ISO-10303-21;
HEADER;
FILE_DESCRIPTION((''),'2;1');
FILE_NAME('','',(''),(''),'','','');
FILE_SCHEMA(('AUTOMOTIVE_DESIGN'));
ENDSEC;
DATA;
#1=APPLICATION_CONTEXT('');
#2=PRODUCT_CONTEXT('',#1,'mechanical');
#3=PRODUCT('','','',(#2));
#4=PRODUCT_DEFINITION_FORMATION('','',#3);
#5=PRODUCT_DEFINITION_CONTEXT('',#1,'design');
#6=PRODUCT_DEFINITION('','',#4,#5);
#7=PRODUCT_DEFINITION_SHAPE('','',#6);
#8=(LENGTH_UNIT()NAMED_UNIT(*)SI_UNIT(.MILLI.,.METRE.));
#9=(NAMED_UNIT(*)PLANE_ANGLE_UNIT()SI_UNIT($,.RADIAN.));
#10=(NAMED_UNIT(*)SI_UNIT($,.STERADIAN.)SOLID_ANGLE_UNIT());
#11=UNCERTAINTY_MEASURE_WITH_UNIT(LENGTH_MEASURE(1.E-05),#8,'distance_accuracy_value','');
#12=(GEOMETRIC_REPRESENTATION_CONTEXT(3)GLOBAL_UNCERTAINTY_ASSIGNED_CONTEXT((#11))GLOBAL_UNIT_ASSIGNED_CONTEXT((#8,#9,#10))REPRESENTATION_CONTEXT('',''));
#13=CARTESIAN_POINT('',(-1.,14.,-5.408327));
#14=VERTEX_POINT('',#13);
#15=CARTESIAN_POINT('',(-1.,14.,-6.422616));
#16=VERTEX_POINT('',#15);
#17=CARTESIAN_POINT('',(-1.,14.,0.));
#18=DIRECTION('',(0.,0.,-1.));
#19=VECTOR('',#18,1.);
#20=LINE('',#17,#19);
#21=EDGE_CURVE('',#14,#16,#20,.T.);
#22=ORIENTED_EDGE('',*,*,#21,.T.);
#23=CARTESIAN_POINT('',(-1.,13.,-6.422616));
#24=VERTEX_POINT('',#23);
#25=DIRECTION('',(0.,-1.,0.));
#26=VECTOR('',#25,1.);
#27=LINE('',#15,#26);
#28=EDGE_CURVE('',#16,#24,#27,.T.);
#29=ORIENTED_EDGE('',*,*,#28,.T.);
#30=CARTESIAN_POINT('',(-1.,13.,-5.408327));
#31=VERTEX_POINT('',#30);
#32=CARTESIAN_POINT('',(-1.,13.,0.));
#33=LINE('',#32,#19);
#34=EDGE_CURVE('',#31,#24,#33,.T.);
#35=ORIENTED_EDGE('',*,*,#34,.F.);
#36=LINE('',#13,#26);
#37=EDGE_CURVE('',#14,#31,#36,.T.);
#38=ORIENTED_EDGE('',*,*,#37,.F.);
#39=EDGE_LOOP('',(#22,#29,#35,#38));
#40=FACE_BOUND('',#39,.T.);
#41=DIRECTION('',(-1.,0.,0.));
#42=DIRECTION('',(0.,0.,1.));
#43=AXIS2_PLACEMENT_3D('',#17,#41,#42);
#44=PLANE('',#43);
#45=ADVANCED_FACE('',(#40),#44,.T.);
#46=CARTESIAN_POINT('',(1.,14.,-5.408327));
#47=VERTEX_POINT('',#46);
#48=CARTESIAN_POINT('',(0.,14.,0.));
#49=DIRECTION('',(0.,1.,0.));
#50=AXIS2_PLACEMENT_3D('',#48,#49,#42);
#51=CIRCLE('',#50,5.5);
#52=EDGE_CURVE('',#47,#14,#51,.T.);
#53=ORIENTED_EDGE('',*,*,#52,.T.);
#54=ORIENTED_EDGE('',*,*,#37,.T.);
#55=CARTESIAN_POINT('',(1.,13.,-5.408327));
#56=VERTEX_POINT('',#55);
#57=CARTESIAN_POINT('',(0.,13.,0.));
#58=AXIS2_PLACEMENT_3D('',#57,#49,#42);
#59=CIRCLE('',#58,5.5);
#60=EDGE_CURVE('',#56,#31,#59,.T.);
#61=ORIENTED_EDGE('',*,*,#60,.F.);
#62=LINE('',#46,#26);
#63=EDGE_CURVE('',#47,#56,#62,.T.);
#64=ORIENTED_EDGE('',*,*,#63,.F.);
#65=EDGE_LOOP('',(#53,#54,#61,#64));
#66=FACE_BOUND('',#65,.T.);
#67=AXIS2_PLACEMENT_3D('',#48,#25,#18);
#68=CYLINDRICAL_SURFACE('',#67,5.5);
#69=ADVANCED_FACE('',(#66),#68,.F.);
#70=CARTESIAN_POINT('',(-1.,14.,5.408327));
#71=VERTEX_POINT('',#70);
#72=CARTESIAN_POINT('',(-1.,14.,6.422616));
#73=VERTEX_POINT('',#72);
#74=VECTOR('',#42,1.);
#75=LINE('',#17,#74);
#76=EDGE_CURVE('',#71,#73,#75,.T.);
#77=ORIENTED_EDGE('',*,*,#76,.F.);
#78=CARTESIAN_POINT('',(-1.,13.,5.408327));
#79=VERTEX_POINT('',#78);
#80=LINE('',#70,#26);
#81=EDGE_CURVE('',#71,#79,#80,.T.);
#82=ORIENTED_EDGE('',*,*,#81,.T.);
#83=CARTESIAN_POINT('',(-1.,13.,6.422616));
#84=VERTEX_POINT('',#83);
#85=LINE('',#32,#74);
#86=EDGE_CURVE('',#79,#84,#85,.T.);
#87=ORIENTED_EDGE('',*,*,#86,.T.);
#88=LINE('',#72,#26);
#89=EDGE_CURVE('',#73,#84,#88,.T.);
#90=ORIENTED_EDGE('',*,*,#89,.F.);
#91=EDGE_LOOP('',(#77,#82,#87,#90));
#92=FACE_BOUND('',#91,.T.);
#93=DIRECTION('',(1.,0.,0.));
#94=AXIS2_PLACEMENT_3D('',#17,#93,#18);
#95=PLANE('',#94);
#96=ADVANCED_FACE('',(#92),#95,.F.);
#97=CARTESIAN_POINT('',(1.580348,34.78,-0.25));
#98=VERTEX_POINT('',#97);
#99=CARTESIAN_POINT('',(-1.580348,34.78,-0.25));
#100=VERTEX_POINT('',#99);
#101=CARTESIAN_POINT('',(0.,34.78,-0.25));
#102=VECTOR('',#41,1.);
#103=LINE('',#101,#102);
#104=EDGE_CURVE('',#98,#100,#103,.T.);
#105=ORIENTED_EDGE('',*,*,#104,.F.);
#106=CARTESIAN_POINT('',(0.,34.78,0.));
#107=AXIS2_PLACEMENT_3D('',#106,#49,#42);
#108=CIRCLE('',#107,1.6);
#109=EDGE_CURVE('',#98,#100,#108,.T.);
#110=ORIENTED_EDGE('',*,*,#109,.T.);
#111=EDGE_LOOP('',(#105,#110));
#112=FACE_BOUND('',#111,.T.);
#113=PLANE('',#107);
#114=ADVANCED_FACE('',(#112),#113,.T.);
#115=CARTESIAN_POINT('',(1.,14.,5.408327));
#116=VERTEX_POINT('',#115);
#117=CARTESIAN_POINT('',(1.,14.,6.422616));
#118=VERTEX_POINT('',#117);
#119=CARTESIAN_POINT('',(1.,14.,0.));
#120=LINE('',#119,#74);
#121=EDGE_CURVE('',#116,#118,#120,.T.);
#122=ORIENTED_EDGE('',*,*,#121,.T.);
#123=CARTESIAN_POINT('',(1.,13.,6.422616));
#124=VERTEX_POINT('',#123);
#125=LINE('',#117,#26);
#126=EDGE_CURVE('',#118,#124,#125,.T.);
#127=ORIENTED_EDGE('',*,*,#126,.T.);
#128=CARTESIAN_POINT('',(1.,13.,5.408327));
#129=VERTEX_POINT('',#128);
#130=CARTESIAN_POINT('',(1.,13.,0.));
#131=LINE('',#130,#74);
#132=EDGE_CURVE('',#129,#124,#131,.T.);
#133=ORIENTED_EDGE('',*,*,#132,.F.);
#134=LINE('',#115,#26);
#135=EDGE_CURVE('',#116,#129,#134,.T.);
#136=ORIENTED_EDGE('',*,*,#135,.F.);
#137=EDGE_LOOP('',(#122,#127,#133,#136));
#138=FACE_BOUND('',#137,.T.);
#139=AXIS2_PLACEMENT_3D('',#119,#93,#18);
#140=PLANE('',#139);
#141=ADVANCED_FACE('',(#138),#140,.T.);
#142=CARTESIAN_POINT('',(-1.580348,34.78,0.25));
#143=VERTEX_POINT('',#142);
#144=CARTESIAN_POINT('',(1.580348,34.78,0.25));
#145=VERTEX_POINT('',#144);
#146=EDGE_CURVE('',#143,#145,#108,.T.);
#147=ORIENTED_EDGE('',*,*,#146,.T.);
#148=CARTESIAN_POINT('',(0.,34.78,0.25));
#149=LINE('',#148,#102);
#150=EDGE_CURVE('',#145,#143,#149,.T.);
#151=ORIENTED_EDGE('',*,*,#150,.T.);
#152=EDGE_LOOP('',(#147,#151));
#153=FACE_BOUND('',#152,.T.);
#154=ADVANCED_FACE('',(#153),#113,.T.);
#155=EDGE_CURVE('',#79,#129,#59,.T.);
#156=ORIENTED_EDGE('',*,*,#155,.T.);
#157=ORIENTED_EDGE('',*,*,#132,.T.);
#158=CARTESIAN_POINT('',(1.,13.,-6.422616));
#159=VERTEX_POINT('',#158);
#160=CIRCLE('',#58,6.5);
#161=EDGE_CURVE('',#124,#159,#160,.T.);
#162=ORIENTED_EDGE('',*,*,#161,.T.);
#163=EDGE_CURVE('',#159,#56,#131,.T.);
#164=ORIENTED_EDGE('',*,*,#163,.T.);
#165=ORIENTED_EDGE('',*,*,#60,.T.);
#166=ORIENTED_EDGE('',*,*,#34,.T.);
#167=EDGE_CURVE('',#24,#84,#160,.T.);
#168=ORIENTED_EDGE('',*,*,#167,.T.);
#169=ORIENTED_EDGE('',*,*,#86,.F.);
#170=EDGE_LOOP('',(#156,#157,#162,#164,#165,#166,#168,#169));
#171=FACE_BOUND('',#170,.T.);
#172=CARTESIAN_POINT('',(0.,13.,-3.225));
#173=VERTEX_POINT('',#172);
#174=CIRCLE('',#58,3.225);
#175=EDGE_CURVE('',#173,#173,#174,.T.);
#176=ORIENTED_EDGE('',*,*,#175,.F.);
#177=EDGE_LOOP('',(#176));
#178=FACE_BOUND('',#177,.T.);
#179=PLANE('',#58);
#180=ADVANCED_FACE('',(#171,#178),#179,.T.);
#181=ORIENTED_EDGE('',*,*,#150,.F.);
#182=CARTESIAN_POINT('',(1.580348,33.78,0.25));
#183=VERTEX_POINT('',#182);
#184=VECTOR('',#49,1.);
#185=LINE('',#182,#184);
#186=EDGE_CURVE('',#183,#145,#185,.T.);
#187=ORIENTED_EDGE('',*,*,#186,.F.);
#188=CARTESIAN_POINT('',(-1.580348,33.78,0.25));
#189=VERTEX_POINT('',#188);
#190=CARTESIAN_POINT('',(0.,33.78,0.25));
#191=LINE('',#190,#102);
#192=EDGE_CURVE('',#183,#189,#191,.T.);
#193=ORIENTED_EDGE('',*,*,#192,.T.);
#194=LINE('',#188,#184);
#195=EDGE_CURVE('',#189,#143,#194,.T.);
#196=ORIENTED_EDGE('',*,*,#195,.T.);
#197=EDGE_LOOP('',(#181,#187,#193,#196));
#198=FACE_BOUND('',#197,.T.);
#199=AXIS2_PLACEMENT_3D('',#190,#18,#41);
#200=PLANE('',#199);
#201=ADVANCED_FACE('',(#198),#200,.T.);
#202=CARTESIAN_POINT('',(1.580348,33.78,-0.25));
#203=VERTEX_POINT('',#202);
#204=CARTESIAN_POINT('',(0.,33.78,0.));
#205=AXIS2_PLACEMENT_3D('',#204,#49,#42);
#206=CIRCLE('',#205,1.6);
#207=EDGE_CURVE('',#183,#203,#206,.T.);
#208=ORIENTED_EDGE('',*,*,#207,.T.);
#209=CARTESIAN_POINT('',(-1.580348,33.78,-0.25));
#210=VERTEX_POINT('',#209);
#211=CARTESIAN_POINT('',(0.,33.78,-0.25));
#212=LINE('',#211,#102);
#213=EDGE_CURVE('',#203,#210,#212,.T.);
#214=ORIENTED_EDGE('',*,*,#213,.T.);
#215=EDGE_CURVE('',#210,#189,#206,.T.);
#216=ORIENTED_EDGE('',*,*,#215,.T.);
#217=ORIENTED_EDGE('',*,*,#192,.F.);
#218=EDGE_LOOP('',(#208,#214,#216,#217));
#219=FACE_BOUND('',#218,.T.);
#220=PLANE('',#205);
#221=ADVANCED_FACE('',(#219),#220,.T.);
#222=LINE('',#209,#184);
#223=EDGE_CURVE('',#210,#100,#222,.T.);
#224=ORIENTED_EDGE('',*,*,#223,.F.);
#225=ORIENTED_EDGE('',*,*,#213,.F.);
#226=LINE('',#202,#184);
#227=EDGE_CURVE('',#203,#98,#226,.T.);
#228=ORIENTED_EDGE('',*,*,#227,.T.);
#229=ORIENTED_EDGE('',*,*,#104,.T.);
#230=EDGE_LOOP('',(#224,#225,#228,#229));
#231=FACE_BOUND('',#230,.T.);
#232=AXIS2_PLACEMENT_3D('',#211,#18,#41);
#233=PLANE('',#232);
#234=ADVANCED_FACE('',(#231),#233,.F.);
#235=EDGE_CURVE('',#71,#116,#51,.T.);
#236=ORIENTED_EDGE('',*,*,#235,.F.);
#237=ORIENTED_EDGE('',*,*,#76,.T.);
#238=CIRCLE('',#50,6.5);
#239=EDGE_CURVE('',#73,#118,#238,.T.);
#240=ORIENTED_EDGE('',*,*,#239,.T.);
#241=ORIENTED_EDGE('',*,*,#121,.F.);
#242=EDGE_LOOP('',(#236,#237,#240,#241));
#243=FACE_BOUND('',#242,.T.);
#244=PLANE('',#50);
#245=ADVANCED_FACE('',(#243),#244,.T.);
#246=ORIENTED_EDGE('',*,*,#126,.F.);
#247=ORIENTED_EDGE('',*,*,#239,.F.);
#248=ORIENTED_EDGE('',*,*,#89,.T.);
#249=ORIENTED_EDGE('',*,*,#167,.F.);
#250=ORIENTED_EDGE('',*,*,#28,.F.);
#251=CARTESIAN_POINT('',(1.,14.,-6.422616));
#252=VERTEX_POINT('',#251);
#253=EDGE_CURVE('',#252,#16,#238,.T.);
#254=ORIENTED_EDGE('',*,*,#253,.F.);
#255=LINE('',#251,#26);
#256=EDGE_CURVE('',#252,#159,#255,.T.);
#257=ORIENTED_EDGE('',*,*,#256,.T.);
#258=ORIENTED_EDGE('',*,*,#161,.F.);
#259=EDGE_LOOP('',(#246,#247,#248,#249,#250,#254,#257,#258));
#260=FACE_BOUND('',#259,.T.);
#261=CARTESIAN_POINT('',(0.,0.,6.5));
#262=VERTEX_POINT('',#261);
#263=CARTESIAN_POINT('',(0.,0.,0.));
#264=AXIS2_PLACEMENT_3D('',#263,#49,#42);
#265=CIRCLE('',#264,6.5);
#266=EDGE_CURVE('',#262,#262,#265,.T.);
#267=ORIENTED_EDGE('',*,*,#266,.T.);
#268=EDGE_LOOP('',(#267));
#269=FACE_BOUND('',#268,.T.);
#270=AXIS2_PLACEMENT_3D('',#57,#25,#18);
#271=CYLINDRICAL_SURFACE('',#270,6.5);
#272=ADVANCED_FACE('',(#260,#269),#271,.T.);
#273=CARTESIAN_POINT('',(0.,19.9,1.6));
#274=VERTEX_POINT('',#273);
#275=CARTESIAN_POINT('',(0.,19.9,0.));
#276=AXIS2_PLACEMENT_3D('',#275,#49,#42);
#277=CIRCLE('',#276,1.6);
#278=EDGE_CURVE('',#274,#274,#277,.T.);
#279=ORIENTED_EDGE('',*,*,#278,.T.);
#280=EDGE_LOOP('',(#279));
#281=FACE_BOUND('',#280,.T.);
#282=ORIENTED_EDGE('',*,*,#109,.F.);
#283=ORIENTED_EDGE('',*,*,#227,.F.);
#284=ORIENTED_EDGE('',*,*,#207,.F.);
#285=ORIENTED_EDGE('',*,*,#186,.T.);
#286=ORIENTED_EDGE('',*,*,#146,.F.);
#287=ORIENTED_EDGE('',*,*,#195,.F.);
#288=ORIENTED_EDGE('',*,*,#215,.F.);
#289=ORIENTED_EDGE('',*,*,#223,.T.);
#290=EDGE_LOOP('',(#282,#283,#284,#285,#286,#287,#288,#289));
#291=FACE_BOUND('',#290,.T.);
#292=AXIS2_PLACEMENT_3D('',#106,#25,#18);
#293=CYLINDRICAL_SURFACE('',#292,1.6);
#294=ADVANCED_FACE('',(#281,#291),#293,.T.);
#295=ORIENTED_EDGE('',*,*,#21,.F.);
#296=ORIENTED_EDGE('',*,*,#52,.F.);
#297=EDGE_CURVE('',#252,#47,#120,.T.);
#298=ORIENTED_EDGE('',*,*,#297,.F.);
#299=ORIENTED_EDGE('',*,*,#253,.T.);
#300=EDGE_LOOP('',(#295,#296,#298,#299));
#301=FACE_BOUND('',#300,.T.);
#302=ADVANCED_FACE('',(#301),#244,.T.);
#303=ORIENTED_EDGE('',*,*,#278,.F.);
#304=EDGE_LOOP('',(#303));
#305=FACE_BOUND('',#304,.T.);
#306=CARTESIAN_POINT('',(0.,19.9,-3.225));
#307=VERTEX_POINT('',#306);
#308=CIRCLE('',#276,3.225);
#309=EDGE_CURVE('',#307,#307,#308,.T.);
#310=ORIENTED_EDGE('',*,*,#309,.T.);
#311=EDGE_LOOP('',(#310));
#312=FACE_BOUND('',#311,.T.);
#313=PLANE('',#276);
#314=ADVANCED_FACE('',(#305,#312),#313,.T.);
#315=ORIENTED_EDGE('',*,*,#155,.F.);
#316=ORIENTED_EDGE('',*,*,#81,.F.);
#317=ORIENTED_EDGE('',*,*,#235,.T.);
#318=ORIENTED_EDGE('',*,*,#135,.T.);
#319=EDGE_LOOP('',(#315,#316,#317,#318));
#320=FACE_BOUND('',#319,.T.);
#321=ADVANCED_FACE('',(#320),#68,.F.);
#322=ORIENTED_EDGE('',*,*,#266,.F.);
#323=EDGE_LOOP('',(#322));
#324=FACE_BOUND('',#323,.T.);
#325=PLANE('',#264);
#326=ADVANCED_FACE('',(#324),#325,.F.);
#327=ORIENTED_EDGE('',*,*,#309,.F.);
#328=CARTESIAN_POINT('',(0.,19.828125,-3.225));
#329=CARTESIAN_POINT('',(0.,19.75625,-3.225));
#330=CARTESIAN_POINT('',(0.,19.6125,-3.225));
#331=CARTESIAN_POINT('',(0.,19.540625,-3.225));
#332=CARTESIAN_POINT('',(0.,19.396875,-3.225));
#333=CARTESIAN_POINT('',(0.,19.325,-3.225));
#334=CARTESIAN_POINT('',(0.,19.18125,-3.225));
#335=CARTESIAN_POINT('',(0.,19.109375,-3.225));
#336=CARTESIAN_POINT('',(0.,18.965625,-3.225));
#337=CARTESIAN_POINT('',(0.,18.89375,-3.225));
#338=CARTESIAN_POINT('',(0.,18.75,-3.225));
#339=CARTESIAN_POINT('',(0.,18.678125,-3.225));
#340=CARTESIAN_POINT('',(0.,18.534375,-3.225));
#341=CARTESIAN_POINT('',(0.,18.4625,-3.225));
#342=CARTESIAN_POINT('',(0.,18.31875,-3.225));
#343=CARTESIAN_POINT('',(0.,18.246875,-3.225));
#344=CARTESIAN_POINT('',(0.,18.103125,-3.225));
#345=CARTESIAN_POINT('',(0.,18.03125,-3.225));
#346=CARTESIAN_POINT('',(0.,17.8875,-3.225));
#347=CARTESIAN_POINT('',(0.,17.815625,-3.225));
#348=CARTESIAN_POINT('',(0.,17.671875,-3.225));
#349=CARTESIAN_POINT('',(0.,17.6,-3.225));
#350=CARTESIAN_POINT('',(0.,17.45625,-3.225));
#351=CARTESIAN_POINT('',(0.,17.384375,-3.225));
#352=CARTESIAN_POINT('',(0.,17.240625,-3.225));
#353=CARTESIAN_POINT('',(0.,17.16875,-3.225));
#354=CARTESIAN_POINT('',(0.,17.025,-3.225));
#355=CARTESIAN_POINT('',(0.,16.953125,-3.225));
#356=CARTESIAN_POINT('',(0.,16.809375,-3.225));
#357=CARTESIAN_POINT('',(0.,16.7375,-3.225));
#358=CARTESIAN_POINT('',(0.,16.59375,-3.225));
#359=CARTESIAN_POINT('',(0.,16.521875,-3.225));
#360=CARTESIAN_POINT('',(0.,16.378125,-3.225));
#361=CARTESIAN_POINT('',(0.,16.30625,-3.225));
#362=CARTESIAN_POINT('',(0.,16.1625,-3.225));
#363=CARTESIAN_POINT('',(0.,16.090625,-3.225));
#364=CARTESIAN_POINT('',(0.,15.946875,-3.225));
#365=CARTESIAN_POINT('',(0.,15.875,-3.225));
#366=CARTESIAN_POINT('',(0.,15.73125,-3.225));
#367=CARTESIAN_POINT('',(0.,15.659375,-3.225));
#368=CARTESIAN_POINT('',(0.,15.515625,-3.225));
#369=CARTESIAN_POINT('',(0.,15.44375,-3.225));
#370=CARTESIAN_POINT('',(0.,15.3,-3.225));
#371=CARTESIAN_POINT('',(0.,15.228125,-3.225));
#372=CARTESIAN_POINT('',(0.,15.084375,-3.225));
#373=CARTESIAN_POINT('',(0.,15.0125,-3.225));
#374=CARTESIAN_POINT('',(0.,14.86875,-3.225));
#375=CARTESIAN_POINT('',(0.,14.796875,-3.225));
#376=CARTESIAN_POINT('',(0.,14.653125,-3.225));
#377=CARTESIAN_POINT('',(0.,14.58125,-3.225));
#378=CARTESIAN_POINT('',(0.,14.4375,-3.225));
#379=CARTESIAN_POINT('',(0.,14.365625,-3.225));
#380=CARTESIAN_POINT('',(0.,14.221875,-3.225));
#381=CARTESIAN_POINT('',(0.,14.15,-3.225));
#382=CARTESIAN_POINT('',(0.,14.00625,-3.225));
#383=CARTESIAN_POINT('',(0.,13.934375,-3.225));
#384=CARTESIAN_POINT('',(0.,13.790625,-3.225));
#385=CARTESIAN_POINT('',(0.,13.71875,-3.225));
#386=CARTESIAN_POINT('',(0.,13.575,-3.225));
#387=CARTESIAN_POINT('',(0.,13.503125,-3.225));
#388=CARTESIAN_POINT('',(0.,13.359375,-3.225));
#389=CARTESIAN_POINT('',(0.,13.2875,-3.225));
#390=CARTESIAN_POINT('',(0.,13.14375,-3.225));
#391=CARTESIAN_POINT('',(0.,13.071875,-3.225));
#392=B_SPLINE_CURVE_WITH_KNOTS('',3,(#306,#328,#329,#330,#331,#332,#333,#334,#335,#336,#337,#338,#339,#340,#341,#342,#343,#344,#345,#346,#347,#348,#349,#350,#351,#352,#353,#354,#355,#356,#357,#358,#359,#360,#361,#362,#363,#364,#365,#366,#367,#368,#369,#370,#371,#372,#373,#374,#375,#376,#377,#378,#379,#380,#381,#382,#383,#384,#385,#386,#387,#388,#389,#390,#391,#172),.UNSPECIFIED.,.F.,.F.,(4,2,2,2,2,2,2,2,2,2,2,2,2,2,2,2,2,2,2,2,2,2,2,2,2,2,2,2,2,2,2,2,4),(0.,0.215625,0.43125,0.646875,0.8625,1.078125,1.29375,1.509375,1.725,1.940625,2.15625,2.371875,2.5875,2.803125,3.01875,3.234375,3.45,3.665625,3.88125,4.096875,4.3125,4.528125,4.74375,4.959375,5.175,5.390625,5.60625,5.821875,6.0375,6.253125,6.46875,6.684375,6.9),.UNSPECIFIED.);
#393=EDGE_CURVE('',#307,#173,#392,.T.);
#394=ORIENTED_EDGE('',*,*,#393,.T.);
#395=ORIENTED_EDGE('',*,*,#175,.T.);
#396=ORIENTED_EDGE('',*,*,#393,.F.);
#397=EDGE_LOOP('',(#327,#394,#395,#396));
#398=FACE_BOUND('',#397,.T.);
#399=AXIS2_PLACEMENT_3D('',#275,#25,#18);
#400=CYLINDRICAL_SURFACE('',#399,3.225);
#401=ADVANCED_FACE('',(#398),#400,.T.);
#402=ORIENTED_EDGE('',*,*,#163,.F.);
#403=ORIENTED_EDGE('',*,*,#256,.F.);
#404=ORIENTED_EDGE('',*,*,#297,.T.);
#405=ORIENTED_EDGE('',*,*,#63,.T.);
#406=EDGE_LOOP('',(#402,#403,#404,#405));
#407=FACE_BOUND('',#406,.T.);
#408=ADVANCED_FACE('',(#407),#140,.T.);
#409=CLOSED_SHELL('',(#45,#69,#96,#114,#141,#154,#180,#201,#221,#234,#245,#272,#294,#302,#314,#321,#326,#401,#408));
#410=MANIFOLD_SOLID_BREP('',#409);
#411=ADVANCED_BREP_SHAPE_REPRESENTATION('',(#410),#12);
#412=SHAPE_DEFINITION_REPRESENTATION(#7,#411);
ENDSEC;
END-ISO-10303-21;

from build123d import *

# Parameters (mm, degrees)
SKETCH1_R           = 6.5
BOSS_EXTRUDE1_DEPTH = 13
SKETCH2_R           = 3.225
BOSS_EXTRUDE2_DEPTH = 6.9
SKETCH3_R           = 1.6
BOSS_EXTRUDE3_DEPTH = 14.88
BOSS_EXTRUDE4_DEPTH = 1
CUT_EXTRUDE1_START  = -1
CUT_EXTRUDE1_DEPTH  = 1


with BuildPart() as part:
    # Sketch1 → Boss-Extrude1 (new body)
    with BuildSketch(Plane(origin=(0, 0, 0), x_dir=(1, 0, 0), z_dir=(0, 1, 0))):
        with Locations(Location((0, 0, 0), (0, 0, 90))):
            Circle(SKETCH1_R)
    extrude(amount=BOSS_EXTRUDE1_DEPTH)

    # Sketch2 → Boss-Extrude2 (add)
    with BuildSketch(Plane(origin=(0, 13, 0), x_dir=(1, 0, 0), z_dir=(0, 1, 0))):
        with Locations(Location((0, 0, 0), (0, 0, 90))):
            Circle(SKETCH2_R)
    extrude(amount=BOSS_EXTRUDE2_DEPTH)

    # Sketch3 → Boss-Extrude3 (add)
    with BuildSketch(Plane(origin=(0, 19.9, 0), x_dir=(1, 0, 0), z_dir=(0, 1, 0))):
        with Locations(Location((0, 0, 0), (0, 0, 270))):
            Circle(SKETCH3_R)
    extrude(amount=BOSS_EXTRUDE3_DEPTH)

    # Sketch4 → Boss-Extrude4 (add)
    with BuildSketch(Plane(origin=(0, 13, 0), x_dir=(1, 0, 0), z_dir=(0, 1, 0))):
        with BuildLine():
            ThreePointArc((-1, 5.408326913), (-0.502096593, 5.477033779), (0, 5.5))
            ThreePointArc((0, 5.5), (0.502096593, 5.477033779), (1, 5.408326913))
            Line((1, 5.408326913), (1, 5.5))
            Line((1, 5.5), (1, 6.422616289))
            ThreePointArc((1, 6.422616289), (0, 6.5), (-1, 6.422616289))
            Line((-1, 6.422616289), (-1, 5.5))
            Line((-1, 5.5), (-1, 5.408326913))
        make_face()
        with BuildLine():
            ThreePointArc((1, -5.408326913), (0.502096593, -5.477033779), (0, -5.5))
            ThreePointArc((0, -5.5), (-0.502096593, -5.477033779), (-1, -5.408326913))
            Line((-1, -5.408326913), (-1, -5.5))
            Line((-1, -5.5), (-1, -6.422616289))
            ThreePointArc((-1, -6.422616289), (0, -6.5), (1, -6.422616289))
            Line((1, -6.422616289), (1, -5.5))
            Line((1, -5.5), (1, -5.408326913))
        make_face()
    extrude(amount=BOSS_EXTRUDE4_DEPTH)

    # Sketch5 → Cut-Extrude1 (cut)
    with BuildSketch(Plane(origin=(0, 34.78, 0), x_dir=(1, 0, 0), z_dir=(0, 1, 0)).offset(CUT_EXTRUDE1_START)):
        with BuildLine():
            Line((-1.6, 0), (1.6, 0))
            ThreePointArc((1.6, 0), (1.59507945, 0.125385604), (1.580348063, 0.25))
            Line((1.580348063, 0.25), (-1.580348063, 0.25))
            ThreePointArc((-1.580348063, 0.25), (-1.59507945, 0.125385604), (-1.6, 0))
        make_face()
        with BuildLine():
            ThreePointArc((1.580348063, -0.25), (1.59507945, -0.125385604), (1.6, 0))
            Line((1.6, 0), (-1.6, 0))
            ThreePointArc((-1.6, 0), (-1.59507945, -0.125385604), (-1.580348063, -0.25))
            Line((-1.580348063, -0.25), (1.580348063, -0.25))
        make_face()
    extrude(amount=CUT_EXTRUDE1_DEPTH, mode=Mode.SUBTRACT)


solid = part.part
